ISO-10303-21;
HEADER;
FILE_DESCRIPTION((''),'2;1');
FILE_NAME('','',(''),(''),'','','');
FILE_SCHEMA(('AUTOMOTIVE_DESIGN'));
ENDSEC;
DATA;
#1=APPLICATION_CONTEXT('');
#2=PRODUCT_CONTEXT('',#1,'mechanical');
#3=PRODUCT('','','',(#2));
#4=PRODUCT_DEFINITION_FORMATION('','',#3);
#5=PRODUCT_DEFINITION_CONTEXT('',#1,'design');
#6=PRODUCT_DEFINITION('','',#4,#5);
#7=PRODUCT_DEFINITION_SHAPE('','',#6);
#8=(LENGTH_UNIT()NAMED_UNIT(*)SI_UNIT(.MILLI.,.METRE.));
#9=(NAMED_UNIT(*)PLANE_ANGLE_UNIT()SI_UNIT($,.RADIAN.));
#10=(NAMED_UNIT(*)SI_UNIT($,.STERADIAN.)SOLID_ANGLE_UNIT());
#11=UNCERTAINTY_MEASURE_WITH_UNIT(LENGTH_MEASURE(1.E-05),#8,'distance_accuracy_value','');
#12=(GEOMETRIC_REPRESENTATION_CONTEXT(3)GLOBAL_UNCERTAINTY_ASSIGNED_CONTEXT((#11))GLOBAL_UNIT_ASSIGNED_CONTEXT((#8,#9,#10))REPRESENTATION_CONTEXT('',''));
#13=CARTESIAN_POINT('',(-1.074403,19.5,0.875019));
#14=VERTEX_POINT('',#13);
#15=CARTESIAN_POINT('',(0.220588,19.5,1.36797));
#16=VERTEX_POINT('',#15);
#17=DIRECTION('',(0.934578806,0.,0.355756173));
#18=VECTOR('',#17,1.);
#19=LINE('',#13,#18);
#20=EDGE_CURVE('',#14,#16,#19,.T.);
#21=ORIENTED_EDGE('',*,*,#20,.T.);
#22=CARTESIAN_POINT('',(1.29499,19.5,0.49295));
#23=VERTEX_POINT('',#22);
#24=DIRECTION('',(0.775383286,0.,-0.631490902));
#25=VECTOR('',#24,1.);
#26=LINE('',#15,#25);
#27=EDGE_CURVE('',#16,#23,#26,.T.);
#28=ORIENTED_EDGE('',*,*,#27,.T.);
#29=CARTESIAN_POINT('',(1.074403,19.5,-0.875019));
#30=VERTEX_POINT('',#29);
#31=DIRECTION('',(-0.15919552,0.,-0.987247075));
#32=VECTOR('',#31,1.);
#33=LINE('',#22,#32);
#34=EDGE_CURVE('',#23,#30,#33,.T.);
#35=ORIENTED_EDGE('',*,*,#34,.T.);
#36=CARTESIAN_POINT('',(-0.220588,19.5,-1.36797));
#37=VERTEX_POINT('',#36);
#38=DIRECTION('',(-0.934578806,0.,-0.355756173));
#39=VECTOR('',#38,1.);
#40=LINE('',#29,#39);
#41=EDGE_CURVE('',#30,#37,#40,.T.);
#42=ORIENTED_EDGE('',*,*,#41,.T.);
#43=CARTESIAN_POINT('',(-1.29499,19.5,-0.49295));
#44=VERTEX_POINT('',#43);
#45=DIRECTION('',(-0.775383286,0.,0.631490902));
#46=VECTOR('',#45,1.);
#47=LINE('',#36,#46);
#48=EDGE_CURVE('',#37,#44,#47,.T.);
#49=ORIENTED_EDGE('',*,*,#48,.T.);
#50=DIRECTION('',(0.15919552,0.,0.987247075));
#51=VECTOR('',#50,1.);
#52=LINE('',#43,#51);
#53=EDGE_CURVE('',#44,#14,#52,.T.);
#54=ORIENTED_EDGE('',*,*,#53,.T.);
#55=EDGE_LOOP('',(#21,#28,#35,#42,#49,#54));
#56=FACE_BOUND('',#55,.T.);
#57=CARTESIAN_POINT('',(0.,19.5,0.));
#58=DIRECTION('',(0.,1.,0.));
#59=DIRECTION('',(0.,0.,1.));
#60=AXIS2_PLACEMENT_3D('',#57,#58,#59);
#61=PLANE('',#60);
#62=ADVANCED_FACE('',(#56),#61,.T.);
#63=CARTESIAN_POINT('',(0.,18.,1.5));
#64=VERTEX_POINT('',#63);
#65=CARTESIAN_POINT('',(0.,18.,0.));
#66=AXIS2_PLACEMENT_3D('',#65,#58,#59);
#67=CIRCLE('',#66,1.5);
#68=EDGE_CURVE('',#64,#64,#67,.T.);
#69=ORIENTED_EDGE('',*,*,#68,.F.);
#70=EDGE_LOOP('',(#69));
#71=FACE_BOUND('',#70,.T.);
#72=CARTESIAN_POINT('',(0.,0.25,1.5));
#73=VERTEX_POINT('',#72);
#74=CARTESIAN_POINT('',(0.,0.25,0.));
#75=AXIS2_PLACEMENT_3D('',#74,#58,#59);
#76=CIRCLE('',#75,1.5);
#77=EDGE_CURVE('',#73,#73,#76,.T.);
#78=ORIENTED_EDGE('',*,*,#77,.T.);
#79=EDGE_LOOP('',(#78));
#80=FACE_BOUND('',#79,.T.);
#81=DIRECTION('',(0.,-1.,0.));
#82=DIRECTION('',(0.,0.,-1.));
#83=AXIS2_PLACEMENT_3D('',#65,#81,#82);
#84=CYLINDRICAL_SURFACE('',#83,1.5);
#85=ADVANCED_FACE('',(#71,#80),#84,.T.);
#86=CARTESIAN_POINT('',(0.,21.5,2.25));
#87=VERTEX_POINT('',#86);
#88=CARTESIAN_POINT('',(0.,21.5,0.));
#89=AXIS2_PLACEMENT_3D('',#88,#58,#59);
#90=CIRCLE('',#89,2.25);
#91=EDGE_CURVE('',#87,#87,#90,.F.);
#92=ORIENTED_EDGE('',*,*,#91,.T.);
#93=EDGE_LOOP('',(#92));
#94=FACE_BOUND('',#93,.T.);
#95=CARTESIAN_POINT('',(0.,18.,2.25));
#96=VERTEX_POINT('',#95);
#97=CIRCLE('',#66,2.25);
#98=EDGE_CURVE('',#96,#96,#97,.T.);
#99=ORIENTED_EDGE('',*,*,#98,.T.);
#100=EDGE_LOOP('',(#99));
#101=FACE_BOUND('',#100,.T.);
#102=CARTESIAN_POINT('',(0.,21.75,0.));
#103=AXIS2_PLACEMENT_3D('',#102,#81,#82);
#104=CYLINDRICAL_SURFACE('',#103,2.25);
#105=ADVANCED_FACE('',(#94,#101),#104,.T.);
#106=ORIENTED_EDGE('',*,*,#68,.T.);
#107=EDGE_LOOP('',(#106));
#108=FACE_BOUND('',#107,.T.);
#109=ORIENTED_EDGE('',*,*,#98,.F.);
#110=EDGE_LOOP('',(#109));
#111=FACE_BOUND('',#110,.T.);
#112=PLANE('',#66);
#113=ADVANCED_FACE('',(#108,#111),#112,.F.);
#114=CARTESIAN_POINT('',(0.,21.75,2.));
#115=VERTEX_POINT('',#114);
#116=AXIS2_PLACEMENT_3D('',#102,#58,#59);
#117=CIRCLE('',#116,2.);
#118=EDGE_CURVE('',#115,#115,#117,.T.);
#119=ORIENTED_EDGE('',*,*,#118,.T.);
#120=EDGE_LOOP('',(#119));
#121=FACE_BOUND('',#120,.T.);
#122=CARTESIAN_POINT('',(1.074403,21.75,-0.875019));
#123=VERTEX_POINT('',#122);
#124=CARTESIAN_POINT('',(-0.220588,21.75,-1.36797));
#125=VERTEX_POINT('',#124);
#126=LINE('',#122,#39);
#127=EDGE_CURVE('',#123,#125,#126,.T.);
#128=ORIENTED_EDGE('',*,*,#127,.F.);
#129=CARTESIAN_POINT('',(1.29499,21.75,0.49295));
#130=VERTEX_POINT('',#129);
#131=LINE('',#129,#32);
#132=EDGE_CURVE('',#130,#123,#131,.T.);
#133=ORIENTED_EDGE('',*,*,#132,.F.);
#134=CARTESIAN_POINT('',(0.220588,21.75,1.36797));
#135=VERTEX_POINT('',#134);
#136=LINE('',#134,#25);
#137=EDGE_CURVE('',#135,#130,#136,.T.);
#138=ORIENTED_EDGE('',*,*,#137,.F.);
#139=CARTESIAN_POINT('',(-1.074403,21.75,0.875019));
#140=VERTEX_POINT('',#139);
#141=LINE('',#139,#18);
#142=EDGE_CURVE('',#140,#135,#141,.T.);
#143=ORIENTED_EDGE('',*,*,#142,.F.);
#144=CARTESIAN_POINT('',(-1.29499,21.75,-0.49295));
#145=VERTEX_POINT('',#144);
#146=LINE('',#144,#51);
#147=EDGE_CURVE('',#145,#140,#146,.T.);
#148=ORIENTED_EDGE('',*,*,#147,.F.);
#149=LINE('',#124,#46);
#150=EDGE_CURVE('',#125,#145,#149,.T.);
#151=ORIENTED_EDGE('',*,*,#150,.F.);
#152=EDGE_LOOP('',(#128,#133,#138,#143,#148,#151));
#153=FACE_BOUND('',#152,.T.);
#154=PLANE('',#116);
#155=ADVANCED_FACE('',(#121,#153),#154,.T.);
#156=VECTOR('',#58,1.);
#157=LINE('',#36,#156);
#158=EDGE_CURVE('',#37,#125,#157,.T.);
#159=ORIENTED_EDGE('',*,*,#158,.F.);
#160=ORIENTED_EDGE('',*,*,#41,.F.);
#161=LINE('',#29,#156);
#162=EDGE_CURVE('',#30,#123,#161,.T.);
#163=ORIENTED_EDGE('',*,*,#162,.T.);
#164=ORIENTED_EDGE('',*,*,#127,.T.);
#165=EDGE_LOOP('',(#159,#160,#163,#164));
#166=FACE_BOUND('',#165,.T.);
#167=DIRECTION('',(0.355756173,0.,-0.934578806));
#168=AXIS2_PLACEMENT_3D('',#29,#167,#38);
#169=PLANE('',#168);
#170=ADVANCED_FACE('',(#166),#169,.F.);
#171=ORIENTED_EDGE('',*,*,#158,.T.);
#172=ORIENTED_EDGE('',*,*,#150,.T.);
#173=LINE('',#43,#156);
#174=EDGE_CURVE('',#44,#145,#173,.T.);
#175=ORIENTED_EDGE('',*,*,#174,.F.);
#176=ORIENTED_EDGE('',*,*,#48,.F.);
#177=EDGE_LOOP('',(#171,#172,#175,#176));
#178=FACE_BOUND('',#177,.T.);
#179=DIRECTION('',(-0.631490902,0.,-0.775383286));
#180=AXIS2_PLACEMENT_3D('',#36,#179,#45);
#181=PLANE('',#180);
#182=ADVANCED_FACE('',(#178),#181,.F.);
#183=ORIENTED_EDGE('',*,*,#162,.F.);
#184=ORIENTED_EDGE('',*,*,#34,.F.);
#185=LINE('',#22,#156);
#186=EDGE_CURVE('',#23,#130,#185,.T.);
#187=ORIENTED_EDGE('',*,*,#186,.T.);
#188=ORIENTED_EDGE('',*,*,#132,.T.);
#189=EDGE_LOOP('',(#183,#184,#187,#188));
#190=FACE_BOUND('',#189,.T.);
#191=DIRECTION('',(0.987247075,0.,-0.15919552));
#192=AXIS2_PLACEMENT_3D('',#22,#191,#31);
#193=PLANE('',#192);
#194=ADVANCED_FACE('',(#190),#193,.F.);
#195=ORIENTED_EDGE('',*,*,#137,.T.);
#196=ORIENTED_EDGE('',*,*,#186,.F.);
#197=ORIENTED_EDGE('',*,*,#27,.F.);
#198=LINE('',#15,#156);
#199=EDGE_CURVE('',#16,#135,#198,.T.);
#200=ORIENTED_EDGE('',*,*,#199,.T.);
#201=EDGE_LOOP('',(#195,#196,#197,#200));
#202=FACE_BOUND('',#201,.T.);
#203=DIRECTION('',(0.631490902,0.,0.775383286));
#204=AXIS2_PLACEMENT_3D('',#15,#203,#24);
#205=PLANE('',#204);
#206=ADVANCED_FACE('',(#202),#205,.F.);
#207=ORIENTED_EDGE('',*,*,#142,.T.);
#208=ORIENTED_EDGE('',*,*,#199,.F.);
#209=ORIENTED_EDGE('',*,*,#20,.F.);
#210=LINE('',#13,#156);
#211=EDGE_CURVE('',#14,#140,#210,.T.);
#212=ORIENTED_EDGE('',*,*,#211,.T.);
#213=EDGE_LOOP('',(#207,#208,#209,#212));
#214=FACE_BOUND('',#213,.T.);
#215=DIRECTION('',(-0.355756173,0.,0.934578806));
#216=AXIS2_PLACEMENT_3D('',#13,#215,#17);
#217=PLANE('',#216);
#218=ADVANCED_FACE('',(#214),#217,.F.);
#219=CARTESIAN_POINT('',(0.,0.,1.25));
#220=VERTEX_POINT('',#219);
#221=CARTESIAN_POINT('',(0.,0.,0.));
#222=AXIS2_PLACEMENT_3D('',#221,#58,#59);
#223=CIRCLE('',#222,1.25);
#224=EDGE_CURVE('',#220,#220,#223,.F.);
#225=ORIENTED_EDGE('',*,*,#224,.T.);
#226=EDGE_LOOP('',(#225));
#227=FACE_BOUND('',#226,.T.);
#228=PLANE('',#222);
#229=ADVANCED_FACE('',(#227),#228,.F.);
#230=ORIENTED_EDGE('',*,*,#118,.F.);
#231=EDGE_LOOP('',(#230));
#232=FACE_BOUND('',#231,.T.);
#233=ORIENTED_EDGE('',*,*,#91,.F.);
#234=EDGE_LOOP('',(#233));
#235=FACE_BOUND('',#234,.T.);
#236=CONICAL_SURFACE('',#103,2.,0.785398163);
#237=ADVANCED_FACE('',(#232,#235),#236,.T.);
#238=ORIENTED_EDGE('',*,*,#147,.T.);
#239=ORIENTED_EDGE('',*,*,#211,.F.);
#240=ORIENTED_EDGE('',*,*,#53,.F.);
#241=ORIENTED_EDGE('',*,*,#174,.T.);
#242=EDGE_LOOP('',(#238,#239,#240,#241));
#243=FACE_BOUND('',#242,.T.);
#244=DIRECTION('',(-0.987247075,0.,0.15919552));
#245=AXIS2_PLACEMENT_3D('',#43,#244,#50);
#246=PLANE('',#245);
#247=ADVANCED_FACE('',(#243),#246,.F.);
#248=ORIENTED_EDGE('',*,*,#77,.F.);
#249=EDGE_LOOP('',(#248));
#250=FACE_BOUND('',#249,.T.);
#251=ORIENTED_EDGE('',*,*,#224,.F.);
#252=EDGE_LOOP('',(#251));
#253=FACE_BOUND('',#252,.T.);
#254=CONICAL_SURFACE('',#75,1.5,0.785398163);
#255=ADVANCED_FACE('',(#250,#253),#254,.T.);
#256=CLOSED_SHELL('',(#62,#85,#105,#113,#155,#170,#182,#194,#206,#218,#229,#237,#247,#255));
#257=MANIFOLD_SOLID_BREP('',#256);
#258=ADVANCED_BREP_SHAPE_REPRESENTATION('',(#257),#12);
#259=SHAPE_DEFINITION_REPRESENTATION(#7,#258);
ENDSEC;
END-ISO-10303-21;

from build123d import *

# Parameters (mm, degrees)
SKICA1_R                 = 1.5
P_IDAT_VYSUNUT_M1_DEPTH  = 18
SKICA2_R                 = 2.25
P_IDAT_VYSUNUT_M2_DEPTH  = 3.75
ODEBRAT_VYSUNUT_M1_DEPTH = 2.25
ZKOSEN_1_SIZE            = 0.25
ZKOSEN_2_SIZE            = 0.25


with BuildPart() as part:
    # Skica1 → Přidat vysunutím1 (new body)
    with BuildSketch(Plane(origin=(0, 0, 0), x_dir=(1, 0, 0), z_dir=(0, 1, 0))):
        with Locations(Location((0, 0, 0), (0, 0, 270))):
            Circle(SKICA1_R)
    extrude(amount=P_IDAT_VYSUNUT_M1_DEPTH)

    # Skica2 → Přidat vysunutím2 (add)
    with BuildSketch(Plane(origin=(0, 18, 0), x_dir=(1, 0, 0), z_dir=(0, 1, 0))):
        with Locations(Location((0, 0, 0), (0, 0, 270))):
            Circle(SKICA2_R)
    extrude(amount=P_IDAT_VYSUNUT_M2_DEPTH)

    # Skica3 → Odebrat vysunutím1 (cut)
    with BuildSketch(Plane(origin=(0, 21.75, 0), x_dir=(1, 0, 0), z_dir=(0, 1, 0))):
        Polygon((-1.074402598, -0.875019461), (0.220587783, -1.367969674), (1.294990381, -0.492950213), (1.074402598, 0.875019461), (-0.220587783, 1.367969674), (-1.294990381, 0.492950213), align=None)
    extrude(amount=-ODEBRAT_VYSUNUT_M1_DEPTH, mode=Mode.SUBTRACT)

    # Zkosení1
    zkosen_1_edges = [part.edges().sort_by_distance(p)[0] for p in [
        (0, 21.75, -2.25),
    ]]
    chamfer(zkosen_1_edges, length=ZKOSEN_1_SIZE)

    # Zkosení2
    zkosen_2_edges = [part.edges().sort_by_distance(p)[0] for p in [
        (0, 0, -1.5),
    ]]
    chamfer(zkosen_2_edges, length=ZKOSEN_2_SIZE)


solid = part.part
